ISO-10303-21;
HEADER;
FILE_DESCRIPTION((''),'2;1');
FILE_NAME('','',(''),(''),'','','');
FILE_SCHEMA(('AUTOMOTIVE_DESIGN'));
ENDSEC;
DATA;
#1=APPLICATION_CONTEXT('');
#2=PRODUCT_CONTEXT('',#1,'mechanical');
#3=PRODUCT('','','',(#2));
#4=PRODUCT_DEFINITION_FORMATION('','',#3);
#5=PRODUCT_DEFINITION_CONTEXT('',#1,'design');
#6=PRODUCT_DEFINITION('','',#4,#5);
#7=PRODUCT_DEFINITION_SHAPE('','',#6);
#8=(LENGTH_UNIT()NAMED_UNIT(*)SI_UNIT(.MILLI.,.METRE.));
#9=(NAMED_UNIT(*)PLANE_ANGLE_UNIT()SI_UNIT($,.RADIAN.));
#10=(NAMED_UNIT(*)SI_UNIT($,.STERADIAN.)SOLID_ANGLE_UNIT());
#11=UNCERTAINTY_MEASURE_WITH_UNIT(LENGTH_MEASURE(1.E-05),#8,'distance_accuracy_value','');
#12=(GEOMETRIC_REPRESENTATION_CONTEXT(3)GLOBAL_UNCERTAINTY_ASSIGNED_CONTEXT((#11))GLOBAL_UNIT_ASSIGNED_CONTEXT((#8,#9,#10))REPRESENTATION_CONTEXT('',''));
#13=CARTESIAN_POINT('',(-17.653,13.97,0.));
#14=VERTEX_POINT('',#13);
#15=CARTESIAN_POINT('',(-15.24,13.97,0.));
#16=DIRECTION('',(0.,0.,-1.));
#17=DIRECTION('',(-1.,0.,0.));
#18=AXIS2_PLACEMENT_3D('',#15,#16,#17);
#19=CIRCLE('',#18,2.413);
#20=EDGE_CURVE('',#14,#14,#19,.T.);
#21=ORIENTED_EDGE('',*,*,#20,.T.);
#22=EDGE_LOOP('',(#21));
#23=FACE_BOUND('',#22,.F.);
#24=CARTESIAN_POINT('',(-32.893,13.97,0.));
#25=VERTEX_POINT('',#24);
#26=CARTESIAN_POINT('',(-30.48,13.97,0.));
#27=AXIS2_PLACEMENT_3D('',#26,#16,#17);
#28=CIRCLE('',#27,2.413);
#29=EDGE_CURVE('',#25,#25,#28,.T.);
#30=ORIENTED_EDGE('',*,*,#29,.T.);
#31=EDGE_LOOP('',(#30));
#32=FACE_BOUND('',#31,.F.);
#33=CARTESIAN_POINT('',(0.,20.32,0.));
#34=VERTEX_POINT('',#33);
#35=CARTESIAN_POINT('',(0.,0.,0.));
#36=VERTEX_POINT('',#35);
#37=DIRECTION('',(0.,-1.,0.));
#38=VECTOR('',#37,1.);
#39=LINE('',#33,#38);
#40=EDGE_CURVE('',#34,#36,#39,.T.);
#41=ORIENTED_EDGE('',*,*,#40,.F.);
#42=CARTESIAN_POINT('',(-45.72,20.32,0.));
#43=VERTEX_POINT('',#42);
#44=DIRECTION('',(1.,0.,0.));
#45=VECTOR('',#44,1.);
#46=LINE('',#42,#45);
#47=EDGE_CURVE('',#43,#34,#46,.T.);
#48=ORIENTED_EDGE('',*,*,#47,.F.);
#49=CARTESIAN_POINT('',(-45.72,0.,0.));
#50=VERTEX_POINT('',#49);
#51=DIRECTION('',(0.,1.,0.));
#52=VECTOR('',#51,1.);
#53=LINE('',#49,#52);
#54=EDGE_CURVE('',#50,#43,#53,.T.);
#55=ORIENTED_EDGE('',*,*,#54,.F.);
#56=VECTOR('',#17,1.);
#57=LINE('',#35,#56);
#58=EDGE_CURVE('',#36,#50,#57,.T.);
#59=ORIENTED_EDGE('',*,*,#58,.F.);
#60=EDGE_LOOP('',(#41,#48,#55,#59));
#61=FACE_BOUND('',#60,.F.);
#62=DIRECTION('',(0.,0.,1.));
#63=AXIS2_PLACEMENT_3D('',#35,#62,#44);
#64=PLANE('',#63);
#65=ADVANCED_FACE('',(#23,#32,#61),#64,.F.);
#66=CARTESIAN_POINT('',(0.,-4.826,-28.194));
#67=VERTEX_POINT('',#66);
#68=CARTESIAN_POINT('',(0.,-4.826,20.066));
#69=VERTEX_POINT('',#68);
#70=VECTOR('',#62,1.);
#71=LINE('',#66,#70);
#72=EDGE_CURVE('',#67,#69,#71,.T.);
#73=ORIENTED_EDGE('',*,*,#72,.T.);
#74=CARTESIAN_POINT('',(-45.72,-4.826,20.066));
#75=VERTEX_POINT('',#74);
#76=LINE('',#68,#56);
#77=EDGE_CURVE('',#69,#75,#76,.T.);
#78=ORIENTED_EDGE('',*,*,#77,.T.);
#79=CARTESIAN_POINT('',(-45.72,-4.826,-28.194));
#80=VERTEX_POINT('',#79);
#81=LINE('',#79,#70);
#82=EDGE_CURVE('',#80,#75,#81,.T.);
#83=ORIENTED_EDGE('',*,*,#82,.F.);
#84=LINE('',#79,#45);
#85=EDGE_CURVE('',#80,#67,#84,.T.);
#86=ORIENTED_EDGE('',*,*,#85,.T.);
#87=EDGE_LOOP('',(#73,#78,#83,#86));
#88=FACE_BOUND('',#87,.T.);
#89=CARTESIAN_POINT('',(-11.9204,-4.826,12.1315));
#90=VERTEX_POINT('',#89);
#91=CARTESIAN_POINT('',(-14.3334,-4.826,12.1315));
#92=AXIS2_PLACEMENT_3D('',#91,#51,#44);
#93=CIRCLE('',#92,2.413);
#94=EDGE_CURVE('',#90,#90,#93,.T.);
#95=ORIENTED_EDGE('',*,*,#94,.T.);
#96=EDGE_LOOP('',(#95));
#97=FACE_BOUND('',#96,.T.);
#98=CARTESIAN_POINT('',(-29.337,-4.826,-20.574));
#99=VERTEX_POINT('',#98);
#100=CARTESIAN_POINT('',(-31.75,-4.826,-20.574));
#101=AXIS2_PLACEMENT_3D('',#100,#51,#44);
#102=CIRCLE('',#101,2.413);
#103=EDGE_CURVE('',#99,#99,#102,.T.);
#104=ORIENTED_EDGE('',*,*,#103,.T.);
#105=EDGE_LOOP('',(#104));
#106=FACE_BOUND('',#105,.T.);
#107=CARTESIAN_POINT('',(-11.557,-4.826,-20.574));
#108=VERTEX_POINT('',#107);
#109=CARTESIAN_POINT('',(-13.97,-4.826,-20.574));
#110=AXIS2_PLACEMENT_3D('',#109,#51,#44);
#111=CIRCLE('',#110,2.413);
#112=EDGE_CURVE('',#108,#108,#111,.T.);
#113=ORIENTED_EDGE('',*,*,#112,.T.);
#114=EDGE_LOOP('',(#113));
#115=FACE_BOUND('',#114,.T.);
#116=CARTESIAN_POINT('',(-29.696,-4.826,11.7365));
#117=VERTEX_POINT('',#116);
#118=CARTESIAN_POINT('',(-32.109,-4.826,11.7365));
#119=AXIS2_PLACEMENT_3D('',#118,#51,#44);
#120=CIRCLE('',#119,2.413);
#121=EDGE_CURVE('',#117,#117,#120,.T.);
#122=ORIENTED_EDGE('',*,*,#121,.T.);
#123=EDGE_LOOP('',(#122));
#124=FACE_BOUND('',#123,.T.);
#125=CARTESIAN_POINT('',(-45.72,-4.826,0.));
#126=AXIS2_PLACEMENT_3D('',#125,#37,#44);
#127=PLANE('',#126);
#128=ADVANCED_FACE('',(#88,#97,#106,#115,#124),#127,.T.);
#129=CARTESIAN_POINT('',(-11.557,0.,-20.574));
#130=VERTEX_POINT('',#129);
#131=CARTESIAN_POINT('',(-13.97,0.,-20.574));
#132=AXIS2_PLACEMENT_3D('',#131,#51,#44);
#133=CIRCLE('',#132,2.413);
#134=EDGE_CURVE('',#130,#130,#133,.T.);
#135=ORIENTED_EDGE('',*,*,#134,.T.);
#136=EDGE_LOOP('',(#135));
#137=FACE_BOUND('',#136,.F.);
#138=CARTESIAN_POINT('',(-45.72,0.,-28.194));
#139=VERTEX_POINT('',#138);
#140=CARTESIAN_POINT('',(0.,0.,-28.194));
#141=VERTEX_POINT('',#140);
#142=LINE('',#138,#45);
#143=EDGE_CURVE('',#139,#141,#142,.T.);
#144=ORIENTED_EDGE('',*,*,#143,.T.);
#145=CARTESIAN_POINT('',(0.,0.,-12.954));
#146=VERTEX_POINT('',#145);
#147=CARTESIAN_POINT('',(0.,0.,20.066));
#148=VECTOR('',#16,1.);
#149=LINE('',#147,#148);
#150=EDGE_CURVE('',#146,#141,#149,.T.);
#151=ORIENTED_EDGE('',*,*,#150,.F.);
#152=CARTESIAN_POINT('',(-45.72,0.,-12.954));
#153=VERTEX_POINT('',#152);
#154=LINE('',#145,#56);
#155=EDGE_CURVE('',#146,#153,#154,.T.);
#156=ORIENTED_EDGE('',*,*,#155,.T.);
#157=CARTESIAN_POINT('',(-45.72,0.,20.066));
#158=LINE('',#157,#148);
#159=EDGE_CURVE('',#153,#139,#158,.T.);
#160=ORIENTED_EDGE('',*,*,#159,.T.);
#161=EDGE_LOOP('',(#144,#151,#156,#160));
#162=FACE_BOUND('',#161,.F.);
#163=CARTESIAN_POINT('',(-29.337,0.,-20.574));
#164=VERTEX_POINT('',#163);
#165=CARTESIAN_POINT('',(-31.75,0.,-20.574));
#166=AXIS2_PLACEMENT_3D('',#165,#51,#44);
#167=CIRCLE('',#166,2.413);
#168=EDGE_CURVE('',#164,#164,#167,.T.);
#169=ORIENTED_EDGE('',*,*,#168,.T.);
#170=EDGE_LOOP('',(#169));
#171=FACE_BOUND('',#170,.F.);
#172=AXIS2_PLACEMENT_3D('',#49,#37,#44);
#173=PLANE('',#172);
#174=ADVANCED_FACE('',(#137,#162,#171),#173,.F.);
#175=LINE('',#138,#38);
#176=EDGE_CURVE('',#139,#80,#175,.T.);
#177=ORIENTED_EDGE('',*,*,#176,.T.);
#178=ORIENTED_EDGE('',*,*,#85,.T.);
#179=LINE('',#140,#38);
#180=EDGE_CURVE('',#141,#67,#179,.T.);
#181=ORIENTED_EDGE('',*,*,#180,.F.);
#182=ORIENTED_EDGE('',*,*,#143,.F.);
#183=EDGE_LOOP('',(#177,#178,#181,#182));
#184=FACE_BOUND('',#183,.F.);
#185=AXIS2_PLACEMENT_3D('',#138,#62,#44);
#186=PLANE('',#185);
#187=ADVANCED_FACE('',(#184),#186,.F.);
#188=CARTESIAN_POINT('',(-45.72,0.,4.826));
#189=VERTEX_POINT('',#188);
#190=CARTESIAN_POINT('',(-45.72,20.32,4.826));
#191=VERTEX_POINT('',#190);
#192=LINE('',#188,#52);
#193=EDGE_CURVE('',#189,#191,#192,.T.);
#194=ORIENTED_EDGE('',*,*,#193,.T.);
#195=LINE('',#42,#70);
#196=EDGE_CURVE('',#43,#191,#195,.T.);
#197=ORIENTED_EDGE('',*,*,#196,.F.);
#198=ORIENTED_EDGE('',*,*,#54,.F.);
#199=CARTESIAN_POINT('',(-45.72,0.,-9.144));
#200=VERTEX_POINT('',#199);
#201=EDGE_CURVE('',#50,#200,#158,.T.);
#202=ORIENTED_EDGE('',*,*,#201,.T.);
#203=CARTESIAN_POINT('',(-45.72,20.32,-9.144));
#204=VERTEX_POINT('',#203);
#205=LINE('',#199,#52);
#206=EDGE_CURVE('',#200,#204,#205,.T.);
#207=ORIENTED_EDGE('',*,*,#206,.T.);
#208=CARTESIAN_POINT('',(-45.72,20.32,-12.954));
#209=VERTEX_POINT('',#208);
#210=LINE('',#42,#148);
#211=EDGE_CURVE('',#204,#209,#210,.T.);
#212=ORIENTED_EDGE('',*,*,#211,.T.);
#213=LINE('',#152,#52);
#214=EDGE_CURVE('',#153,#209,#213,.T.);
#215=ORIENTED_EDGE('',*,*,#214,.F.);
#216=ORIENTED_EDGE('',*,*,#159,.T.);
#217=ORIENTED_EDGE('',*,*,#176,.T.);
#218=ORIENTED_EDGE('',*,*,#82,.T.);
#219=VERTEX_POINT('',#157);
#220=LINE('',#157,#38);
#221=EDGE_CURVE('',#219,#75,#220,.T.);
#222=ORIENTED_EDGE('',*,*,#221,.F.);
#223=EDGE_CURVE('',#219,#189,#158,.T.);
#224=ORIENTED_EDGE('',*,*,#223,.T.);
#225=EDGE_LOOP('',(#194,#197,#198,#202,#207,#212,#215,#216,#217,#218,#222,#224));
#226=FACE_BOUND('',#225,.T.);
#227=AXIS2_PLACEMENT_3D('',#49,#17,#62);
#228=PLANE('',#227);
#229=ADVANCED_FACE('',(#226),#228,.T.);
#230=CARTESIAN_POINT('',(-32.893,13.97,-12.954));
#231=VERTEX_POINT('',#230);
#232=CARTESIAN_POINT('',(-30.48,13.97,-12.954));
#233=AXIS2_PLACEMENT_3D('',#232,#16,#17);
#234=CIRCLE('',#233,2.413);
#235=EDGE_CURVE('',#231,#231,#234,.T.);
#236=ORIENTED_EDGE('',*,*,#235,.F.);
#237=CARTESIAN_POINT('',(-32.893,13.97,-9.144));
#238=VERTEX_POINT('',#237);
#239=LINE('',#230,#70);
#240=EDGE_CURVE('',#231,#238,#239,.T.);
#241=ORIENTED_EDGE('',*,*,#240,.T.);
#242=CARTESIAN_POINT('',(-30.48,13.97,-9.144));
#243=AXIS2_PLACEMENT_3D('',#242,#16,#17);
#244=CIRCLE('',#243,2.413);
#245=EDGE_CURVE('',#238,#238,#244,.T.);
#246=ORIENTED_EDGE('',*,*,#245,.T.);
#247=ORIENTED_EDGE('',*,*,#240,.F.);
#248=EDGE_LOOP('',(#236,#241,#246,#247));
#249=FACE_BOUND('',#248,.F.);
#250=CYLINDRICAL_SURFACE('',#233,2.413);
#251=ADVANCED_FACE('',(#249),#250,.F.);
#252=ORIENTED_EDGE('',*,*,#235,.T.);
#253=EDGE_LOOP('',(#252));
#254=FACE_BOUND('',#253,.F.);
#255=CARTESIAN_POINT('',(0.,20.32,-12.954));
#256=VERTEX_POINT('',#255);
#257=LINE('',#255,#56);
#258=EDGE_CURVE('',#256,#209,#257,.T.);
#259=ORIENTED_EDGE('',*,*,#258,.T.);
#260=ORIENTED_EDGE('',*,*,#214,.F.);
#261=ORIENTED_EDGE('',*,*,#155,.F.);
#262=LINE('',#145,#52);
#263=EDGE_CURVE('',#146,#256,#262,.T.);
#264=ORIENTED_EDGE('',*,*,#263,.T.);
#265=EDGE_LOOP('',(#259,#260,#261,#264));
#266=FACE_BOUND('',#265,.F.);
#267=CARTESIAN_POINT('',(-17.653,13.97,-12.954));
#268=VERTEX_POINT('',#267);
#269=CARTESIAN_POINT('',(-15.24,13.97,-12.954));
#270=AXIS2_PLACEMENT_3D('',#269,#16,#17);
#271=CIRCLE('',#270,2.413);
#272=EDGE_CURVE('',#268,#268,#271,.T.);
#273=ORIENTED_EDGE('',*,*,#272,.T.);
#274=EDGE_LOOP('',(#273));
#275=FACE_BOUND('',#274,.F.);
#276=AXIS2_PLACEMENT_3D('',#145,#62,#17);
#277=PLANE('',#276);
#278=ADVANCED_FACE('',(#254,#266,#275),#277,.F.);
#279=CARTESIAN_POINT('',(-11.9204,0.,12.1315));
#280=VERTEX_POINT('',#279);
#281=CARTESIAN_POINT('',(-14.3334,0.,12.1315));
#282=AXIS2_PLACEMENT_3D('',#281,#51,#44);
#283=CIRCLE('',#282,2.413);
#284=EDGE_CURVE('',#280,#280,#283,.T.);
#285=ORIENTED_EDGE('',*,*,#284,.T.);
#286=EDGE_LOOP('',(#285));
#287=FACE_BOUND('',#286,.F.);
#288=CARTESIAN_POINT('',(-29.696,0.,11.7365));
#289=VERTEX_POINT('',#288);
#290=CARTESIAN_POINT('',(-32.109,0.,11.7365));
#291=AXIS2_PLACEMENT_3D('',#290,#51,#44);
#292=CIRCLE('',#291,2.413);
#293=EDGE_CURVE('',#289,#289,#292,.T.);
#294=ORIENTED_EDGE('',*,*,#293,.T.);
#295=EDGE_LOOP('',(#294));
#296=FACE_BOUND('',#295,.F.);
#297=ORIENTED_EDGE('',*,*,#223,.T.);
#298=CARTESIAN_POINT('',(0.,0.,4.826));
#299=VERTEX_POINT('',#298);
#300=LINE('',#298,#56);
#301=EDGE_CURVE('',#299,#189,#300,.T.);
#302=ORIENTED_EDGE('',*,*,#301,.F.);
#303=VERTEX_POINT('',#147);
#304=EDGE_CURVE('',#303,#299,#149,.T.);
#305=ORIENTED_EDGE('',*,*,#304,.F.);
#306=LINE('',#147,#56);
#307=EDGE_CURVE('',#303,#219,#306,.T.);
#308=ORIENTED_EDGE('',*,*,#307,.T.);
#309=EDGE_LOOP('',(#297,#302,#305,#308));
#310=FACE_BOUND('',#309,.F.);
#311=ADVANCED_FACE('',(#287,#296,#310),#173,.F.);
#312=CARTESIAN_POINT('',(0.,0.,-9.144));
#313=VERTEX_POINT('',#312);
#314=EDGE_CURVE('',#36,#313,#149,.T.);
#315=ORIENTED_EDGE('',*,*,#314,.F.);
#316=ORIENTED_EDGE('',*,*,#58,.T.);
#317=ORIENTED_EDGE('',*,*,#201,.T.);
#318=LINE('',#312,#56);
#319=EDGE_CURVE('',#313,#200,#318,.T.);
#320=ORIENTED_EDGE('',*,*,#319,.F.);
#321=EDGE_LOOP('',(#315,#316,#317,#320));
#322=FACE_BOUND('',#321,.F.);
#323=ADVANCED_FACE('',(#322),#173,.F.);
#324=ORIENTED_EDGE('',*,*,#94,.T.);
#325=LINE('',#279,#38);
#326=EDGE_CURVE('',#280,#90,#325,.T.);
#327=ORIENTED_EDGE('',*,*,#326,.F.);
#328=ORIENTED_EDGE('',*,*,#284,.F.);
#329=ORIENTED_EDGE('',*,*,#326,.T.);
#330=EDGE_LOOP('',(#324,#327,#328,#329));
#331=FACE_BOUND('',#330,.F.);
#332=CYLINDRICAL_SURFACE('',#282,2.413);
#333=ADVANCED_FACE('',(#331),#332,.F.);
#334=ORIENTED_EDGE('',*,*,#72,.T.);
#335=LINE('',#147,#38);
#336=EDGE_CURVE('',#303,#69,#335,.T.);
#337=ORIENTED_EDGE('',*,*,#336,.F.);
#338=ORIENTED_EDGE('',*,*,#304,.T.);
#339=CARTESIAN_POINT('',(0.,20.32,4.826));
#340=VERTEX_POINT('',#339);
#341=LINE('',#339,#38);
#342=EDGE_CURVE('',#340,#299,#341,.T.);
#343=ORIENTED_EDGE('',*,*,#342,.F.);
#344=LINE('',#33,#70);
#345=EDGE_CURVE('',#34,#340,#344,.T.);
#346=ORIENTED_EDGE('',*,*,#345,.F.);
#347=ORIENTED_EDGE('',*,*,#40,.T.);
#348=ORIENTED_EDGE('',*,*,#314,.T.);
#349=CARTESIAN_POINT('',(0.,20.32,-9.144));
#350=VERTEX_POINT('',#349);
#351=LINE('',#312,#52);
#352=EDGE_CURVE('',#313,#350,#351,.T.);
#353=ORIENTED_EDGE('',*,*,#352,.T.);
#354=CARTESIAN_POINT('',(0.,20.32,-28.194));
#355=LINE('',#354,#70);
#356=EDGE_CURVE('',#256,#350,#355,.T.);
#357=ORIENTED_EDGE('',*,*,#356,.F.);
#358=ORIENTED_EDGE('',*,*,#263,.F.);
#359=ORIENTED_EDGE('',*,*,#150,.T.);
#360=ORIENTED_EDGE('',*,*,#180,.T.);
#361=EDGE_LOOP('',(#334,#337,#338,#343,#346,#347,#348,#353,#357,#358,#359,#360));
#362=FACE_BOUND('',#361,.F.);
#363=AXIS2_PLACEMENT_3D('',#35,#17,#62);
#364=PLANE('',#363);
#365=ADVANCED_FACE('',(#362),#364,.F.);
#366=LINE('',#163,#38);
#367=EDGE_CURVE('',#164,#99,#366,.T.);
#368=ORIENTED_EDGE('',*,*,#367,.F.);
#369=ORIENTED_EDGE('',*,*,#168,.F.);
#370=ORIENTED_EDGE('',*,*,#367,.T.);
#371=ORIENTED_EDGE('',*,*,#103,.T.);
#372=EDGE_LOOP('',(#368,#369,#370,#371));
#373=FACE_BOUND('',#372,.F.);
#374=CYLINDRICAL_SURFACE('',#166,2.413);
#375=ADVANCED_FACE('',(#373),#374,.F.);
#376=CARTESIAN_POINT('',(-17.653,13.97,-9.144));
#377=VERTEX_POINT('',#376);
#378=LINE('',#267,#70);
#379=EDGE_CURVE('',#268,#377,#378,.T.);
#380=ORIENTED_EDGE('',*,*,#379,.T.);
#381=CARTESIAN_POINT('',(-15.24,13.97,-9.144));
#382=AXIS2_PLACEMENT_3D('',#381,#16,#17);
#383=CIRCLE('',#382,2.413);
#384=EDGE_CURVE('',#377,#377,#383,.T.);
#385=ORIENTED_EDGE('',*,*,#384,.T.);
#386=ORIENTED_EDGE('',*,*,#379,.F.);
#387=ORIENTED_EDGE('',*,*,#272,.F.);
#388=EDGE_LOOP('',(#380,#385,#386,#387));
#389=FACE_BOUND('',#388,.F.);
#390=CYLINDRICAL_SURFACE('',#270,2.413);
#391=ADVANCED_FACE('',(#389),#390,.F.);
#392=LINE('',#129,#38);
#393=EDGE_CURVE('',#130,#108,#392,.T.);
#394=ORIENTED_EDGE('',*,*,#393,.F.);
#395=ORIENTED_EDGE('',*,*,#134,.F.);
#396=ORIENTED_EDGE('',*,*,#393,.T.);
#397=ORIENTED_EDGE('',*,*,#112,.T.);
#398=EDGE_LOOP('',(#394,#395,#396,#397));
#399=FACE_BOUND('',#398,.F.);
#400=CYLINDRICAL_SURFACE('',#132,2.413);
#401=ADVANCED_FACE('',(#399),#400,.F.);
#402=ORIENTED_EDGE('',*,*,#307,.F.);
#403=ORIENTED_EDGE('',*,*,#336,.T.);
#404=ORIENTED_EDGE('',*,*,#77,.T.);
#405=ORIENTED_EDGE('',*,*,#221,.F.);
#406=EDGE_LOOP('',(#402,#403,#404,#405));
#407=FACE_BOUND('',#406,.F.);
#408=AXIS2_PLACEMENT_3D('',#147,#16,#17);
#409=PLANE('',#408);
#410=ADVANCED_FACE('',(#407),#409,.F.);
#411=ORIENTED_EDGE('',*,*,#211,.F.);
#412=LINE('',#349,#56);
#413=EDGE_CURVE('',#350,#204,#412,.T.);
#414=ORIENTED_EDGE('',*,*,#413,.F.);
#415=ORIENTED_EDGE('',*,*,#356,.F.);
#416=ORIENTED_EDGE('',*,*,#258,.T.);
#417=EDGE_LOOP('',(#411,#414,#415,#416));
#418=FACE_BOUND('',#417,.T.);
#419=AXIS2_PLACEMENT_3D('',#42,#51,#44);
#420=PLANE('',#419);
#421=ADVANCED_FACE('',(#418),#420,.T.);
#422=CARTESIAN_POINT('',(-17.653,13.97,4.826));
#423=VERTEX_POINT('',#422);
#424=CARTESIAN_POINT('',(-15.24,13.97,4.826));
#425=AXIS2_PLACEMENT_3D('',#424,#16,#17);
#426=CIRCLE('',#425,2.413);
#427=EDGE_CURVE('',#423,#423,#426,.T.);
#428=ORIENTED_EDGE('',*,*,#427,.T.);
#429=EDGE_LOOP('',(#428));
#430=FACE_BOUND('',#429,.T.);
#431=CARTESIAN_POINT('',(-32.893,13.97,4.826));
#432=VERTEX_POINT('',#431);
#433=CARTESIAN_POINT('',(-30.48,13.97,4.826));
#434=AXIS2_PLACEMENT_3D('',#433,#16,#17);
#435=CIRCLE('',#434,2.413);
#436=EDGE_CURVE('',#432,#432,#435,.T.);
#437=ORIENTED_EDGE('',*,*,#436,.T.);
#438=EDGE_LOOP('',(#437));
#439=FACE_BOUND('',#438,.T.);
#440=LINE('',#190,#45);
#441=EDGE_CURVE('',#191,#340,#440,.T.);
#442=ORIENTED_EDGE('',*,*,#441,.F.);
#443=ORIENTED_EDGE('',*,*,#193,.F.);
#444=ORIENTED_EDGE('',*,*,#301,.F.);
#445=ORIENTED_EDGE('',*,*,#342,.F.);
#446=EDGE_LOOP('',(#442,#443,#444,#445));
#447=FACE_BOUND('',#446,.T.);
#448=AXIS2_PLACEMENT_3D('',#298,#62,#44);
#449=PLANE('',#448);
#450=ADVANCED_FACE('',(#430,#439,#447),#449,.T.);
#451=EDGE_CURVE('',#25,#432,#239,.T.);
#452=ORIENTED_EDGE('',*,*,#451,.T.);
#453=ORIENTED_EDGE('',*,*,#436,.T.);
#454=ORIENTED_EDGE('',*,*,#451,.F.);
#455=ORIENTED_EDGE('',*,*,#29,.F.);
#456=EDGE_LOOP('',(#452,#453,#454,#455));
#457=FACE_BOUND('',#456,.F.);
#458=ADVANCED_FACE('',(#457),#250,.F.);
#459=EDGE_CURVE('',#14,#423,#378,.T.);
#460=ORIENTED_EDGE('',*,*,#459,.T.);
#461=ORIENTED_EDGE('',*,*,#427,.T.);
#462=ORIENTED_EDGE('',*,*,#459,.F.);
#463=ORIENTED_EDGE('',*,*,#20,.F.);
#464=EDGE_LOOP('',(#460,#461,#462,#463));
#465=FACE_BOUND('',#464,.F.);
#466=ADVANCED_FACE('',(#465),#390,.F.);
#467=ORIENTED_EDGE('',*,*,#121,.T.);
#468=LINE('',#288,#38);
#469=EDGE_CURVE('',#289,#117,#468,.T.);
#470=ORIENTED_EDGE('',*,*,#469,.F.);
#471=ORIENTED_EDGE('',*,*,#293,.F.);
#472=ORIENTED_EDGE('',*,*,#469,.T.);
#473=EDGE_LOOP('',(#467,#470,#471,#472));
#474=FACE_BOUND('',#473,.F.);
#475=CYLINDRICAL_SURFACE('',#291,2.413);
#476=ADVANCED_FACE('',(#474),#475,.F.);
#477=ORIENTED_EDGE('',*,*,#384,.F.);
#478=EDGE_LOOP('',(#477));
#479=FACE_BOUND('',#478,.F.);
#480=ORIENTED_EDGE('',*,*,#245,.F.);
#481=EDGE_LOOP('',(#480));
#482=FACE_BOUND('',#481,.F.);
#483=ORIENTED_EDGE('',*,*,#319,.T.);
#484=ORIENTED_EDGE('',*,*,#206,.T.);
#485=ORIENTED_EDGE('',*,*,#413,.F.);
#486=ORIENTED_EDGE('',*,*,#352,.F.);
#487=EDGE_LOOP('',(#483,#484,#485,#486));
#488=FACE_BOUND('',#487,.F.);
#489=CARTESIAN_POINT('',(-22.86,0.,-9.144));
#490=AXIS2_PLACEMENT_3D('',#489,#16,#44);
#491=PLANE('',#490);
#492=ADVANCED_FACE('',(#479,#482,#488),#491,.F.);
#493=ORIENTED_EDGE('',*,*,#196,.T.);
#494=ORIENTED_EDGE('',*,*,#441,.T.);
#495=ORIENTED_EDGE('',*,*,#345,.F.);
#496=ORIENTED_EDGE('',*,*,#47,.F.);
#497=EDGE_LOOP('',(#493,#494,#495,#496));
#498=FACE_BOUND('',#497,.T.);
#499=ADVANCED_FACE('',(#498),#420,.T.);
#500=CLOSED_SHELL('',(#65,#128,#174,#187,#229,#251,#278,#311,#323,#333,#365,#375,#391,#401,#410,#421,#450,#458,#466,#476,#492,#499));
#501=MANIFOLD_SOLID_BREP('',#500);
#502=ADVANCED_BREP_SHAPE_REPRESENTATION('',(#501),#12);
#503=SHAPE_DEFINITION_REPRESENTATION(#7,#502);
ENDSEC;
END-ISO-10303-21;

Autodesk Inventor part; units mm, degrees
ref_plane "YZ Plane" through (0, 0, 0) normal (1, 0, 0) x (0, 1, 0)
ref_plane "XZ Plane" through (0, 0, 0) normal (0, 1, 0) x (-1, 0, 0)
ref_plane "XY Plane" through (0, 0, 0) normal (0, 0, 1) x (1, 0, 0)
sketch "Sketch1" plane through (0, 0, 0) normal (0, 0, 1) x (1, 0, 0)
  line L0 (0, 0) -> (-45.72, 0)
  line L1 (-45.72, 0) -> (-45.72, 20.32)
  line L2 (-45.72, 20.32) -> (0, 20.32)
  line L3 (0, 20.32) -> (0, 0)
  dimension "d0" = 45.72
  dimension "d1" = 20.32
extrude "Extrusion1" add sketch "Sketch1" along normal blind 4.826
sketch "Sketch2" plane through (-45.72, 0, 0) normal (0, -1, 0) x (1, 0, 0)
  line L0 (45.72, 0) -> (45.72, 4.826) projected
  line L1 (0, 0) -> (0, 4.826) projected
  line L2 (0, 0) -> (45.72, 0) projected
  line L3 (0, 4.826) -> (45.72, 4.826) projected
  line L4 (45.72, 0) -> (45.72, -28.194)
  line L5 (45.72, 4.826) -> (45.72, 20.066)
  line L6 (45.72, 20.066) -> (0, 20.066)
  line L7 (0, 20.066) -> (0, 4.826)
  line L8 (0, 0) -> (0, -28.194)
  line L9 (0, -28.194) -> (45.72, -28.194)
  line L10 (45.72, 0) -> (45.72, 4.826)
  line L11 (0, 4.826) -> (0, 0)
  dimension "d4" = 28.194
  dimension "d5" = 15.24
extrude "Extrusion2" add sketch "Sketch2" along normal blind 4.826
sketch "Sketch3" plane through (-45.72, 0, 0) normal (0, 1, 0) x (1, 0, 0)
  line L0 (45.72, 0) -> (0, 0) projected
  line L1 (45.72, 28.194) -> (45.72, 0) projected
  line L2 (0, 28.194) -> (45.72, 28.194) projected
  line L3 (0, 0) -> (0, 28.194) projected
  line L4 (22.86, 0) -> (22.86, 9.144) construction
  line L5 (22.86, 9.144) -> (45.72, 9.144)
  line L6 (22.86, 9.144) -> (0, 9.144)
  line L7 (45.72, 9.144) -> (45.72, 12.954)
  line L8 (45.72, 28.194) -> (45.72, -20.066) projected
  line L9 (45.72, 12.954) -> (0, 12.954)
  line L10 (0, 12.954) -> (0, 9.144)
  dimension "d8" = 9.144
  dimension "d9" = 3.81
extrude "Extrusion3" add sketch "Sketch3" along normal blind 20.32 contours L5 L6 L3 L9 L1
sketch "Sketch4" plane through (0, 0, -12.954) normal (0, 0, -1) x (-1, 0, 0)
  line L0 (0, 0) -> (0, 20.32) projected
  line L1 (0, 20.32) -> (45.72, 20.32) projected
  line L2 (45.72, 0) -> (45.72, 20.32) projected
  line L3 (45.72, 0) -> (0, 0) projected
  line L4 (22.86, 20.32) -> (22.86, 13.97) construction
  line L5 (22.86, 13.97) -> (30.48, 13.97) construction
  circle A0 centre (30.48, 13.97) radius 2.413
  circle A1 centre (15.24, 13.97) radius 2.413
  dimension "d12" = 6.35
  dimension "d13" = 7.62
  dimension "d14" = 4.826
extrude "Extrusion4" cut sketch "Sketch4" against normal through all contours A0 | A1
sketch "Sketch5" plane through (-45.72, 0, 0) normal (0, 1, 0) x (1, 0, 0)
  line L0 (45.72, 12.954) -> (0, 12.954) projected
  line L1 (0, 28.194) -> (45.72, 28.194) projected
  line L2 (45.72, 28.194) -> (45.72, 12.954) construction
  line L3 (0, 12.954) -> (0, 28.194) projected
  line L4 (45.72, 28.194) -> (45.72, -20.066) projected
  line L5 (45.72, 28.194) -> (45.72, 12.954) construction
  line L6 (45.72, 20.574) -> (0, 20.574) construction
  line L7 (22.86, 12.954) -> (22.86, 20.574) construction
  line L8 (22.86, 20.574) -> (13.97, 20.574) construction
  line L9 (22.86, 20.574) -> (31.75, 20.574) construction
  circle A0 centre (31.75, 20.574) radius 2.413
  circle A1 centre (13.97, 20.574) radius 2.413
  line L10 (45.72, 4.064) -> (0, 4.572) construction
  line L11 (0, 0) -> (0, 9.144) projected
  circle A2 centre (31.3866, -12.1315) radius 2.413
  circle A3 centre (13.611, -11.7365) radius 2.413
  point P0 (45.72, 0)
  dimension "d17" = 8.89
  dimension "d18" = 8.89
  dimension "d19" = 4.826
  dimension "d20" = 4.826
extrude "Extrusion5" cut sketch "Sketch5" against normal through all contours A0 | A1 | A2 | A3
properties part number "arm_to_tower_adapter"
